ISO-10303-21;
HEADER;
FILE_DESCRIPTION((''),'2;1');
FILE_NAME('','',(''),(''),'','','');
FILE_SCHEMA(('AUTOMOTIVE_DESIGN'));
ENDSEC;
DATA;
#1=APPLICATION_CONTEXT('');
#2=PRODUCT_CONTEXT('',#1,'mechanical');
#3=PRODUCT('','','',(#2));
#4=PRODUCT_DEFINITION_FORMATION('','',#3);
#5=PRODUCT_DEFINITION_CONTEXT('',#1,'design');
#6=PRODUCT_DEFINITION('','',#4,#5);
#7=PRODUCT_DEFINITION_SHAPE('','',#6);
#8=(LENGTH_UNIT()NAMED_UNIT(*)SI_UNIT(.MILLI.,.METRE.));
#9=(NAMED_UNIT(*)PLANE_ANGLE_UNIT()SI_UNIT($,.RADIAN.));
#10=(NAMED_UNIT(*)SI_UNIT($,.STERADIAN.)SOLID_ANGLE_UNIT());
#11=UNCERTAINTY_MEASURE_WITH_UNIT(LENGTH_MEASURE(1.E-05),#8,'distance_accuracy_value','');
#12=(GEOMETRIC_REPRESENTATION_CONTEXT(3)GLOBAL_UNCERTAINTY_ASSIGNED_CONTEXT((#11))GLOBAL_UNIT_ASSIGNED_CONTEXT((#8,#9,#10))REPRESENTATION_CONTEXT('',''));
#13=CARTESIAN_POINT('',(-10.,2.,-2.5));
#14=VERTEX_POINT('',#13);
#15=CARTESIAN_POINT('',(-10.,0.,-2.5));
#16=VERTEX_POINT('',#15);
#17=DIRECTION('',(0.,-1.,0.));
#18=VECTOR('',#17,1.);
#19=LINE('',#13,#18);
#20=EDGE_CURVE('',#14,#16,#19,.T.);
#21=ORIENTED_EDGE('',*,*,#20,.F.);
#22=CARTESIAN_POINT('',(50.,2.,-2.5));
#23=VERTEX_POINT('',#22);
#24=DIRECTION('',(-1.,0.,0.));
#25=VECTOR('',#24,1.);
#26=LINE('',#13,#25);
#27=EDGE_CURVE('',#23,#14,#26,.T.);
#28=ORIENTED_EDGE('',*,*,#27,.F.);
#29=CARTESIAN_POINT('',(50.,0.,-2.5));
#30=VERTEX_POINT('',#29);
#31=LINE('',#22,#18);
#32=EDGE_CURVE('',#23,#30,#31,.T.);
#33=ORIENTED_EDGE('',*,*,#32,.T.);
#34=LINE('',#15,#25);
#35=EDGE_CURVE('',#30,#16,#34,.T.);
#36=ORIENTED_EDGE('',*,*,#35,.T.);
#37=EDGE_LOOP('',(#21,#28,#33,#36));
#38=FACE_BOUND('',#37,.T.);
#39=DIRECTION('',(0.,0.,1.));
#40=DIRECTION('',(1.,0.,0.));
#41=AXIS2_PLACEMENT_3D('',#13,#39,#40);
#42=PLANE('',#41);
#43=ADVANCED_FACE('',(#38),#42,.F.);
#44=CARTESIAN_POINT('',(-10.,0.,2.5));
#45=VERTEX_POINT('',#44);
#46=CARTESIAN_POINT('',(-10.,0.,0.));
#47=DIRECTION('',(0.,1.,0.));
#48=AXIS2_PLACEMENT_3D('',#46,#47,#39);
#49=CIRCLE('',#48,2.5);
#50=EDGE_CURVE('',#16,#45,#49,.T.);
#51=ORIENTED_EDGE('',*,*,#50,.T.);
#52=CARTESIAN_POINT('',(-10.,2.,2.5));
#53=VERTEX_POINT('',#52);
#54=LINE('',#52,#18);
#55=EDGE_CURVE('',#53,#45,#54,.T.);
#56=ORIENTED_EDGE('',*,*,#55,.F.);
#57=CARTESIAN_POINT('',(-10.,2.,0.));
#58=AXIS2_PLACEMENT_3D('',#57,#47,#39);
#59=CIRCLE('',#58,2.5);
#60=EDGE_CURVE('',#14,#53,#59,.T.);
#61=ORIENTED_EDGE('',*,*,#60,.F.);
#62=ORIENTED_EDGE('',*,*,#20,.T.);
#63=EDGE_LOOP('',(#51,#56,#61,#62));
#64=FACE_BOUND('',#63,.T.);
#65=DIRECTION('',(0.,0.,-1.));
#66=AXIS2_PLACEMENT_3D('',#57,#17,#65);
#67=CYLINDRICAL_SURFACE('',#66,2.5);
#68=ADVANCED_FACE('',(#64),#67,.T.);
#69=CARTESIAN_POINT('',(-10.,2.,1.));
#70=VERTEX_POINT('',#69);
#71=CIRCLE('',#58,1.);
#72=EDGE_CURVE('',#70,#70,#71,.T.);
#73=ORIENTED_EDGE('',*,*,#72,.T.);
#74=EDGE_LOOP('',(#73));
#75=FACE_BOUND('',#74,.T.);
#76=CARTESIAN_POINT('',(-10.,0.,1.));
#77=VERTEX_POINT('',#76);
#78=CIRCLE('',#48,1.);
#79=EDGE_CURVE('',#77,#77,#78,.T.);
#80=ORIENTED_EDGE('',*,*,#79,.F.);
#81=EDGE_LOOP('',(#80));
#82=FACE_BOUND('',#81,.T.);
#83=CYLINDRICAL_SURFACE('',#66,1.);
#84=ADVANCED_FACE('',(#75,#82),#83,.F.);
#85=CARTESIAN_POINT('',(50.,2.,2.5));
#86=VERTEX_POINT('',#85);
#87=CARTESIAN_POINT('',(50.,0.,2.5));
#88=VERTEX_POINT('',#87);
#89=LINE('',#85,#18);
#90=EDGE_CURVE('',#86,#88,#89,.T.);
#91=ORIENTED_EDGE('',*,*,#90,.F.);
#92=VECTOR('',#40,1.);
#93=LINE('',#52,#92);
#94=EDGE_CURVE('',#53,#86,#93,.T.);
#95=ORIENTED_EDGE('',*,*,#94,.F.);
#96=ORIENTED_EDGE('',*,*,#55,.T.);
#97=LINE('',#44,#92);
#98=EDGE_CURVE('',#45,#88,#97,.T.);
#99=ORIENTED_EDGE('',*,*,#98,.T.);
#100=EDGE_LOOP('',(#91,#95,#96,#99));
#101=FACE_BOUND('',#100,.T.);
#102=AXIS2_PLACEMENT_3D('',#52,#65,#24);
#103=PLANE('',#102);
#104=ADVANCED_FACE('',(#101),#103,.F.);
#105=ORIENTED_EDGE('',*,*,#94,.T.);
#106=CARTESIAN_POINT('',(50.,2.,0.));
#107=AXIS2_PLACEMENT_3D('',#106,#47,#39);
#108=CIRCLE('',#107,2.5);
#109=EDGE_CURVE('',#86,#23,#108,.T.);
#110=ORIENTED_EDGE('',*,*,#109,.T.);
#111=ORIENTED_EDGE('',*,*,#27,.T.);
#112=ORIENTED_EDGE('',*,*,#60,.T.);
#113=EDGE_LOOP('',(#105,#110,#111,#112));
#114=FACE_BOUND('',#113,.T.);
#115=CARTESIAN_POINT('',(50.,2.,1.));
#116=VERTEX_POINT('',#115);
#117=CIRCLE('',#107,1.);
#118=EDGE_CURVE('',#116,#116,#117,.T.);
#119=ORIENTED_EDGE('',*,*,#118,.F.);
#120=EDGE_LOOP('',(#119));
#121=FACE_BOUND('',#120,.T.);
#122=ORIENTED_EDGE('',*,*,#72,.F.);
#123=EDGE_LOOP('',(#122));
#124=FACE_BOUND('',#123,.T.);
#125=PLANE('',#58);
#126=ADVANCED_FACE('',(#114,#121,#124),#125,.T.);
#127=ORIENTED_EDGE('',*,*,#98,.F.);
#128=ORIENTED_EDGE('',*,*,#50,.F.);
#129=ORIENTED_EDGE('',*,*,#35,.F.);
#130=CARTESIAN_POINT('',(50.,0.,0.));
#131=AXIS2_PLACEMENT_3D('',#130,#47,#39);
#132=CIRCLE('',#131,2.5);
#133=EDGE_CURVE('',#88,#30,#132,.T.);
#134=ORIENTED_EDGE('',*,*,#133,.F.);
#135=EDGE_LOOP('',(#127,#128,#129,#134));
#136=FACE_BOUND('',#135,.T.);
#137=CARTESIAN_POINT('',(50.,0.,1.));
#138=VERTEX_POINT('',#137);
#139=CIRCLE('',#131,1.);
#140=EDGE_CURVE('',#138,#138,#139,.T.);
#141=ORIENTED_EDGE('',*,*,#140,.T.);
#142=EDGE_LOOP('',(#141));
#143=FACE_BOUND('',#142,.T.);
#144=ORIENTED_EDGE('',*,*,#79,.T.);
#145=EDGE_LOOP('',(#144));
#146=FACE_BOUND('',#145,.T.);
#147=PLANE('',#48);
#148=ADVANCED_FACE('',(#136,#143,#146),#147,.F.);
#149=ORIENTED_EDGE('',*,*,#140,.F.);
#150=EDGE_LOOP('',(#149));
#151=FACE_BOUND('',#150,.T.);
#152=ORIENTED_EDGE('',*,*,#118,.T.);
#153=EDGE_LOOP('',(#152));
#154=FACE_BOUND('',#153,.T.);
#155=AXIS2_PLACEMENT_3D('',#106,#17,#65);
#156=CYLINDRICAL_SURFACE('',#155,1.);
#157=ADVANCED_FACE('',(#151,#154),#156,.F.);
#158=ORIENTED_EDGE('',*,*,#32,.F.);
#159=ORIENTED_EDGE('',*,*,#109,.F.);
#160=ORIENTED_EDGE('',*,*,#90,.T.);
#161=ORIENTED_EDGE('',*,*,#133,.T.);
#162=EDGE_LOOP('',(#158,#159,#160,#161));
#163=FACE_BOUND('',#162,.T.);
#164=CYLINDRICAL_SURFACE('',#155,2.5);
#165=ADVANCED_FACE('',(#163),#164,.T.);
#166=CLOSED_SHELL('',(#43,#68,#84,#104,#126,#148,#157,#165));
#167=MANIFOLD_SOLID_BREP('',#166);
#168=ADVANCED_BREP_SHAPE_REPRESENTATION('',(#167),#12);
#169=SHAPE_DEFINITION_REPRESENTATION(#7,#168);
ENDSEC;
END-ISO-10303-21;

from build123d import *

# Parameters (mm, degrees)
SKETCH1_R           = 1
BOSS_EXTRUDE1_DEPTH = 2


with BuildPart() as part:
    # Sketch1 → Boss-Extrude1 (new body)
    with BuildSketch(Plane(origin=(0, 0, 0), x_dir=(1, 0, 0), z_dir=(0, 1, 0))):
        with BuildLine():
            Line((-10, 2.5), (50, 2.5))
            ThreePointArc((50, 2.5), (52.5, 0), (50, -2.5))
            Line((50, -2.5), (-10, -2.5))
            ThreePointArc((-10, -2.5), (-12.5, 0), (-10, 2.5))
        make_face()
        with Locations(Location((50, 0, 0), (0, 0, 270))):
            Circle(SKETCH1_R, mode=Mode.SUBTRACT)
        with Locations(Location((-10, 0, 0), (0, 0, 270))):
            Circle(SKETCH1_R, mode=Mode.SUBTRACT)
    extrude(amount=BOSS_EXTRUDE1_DEPTH)


solid = part.part
